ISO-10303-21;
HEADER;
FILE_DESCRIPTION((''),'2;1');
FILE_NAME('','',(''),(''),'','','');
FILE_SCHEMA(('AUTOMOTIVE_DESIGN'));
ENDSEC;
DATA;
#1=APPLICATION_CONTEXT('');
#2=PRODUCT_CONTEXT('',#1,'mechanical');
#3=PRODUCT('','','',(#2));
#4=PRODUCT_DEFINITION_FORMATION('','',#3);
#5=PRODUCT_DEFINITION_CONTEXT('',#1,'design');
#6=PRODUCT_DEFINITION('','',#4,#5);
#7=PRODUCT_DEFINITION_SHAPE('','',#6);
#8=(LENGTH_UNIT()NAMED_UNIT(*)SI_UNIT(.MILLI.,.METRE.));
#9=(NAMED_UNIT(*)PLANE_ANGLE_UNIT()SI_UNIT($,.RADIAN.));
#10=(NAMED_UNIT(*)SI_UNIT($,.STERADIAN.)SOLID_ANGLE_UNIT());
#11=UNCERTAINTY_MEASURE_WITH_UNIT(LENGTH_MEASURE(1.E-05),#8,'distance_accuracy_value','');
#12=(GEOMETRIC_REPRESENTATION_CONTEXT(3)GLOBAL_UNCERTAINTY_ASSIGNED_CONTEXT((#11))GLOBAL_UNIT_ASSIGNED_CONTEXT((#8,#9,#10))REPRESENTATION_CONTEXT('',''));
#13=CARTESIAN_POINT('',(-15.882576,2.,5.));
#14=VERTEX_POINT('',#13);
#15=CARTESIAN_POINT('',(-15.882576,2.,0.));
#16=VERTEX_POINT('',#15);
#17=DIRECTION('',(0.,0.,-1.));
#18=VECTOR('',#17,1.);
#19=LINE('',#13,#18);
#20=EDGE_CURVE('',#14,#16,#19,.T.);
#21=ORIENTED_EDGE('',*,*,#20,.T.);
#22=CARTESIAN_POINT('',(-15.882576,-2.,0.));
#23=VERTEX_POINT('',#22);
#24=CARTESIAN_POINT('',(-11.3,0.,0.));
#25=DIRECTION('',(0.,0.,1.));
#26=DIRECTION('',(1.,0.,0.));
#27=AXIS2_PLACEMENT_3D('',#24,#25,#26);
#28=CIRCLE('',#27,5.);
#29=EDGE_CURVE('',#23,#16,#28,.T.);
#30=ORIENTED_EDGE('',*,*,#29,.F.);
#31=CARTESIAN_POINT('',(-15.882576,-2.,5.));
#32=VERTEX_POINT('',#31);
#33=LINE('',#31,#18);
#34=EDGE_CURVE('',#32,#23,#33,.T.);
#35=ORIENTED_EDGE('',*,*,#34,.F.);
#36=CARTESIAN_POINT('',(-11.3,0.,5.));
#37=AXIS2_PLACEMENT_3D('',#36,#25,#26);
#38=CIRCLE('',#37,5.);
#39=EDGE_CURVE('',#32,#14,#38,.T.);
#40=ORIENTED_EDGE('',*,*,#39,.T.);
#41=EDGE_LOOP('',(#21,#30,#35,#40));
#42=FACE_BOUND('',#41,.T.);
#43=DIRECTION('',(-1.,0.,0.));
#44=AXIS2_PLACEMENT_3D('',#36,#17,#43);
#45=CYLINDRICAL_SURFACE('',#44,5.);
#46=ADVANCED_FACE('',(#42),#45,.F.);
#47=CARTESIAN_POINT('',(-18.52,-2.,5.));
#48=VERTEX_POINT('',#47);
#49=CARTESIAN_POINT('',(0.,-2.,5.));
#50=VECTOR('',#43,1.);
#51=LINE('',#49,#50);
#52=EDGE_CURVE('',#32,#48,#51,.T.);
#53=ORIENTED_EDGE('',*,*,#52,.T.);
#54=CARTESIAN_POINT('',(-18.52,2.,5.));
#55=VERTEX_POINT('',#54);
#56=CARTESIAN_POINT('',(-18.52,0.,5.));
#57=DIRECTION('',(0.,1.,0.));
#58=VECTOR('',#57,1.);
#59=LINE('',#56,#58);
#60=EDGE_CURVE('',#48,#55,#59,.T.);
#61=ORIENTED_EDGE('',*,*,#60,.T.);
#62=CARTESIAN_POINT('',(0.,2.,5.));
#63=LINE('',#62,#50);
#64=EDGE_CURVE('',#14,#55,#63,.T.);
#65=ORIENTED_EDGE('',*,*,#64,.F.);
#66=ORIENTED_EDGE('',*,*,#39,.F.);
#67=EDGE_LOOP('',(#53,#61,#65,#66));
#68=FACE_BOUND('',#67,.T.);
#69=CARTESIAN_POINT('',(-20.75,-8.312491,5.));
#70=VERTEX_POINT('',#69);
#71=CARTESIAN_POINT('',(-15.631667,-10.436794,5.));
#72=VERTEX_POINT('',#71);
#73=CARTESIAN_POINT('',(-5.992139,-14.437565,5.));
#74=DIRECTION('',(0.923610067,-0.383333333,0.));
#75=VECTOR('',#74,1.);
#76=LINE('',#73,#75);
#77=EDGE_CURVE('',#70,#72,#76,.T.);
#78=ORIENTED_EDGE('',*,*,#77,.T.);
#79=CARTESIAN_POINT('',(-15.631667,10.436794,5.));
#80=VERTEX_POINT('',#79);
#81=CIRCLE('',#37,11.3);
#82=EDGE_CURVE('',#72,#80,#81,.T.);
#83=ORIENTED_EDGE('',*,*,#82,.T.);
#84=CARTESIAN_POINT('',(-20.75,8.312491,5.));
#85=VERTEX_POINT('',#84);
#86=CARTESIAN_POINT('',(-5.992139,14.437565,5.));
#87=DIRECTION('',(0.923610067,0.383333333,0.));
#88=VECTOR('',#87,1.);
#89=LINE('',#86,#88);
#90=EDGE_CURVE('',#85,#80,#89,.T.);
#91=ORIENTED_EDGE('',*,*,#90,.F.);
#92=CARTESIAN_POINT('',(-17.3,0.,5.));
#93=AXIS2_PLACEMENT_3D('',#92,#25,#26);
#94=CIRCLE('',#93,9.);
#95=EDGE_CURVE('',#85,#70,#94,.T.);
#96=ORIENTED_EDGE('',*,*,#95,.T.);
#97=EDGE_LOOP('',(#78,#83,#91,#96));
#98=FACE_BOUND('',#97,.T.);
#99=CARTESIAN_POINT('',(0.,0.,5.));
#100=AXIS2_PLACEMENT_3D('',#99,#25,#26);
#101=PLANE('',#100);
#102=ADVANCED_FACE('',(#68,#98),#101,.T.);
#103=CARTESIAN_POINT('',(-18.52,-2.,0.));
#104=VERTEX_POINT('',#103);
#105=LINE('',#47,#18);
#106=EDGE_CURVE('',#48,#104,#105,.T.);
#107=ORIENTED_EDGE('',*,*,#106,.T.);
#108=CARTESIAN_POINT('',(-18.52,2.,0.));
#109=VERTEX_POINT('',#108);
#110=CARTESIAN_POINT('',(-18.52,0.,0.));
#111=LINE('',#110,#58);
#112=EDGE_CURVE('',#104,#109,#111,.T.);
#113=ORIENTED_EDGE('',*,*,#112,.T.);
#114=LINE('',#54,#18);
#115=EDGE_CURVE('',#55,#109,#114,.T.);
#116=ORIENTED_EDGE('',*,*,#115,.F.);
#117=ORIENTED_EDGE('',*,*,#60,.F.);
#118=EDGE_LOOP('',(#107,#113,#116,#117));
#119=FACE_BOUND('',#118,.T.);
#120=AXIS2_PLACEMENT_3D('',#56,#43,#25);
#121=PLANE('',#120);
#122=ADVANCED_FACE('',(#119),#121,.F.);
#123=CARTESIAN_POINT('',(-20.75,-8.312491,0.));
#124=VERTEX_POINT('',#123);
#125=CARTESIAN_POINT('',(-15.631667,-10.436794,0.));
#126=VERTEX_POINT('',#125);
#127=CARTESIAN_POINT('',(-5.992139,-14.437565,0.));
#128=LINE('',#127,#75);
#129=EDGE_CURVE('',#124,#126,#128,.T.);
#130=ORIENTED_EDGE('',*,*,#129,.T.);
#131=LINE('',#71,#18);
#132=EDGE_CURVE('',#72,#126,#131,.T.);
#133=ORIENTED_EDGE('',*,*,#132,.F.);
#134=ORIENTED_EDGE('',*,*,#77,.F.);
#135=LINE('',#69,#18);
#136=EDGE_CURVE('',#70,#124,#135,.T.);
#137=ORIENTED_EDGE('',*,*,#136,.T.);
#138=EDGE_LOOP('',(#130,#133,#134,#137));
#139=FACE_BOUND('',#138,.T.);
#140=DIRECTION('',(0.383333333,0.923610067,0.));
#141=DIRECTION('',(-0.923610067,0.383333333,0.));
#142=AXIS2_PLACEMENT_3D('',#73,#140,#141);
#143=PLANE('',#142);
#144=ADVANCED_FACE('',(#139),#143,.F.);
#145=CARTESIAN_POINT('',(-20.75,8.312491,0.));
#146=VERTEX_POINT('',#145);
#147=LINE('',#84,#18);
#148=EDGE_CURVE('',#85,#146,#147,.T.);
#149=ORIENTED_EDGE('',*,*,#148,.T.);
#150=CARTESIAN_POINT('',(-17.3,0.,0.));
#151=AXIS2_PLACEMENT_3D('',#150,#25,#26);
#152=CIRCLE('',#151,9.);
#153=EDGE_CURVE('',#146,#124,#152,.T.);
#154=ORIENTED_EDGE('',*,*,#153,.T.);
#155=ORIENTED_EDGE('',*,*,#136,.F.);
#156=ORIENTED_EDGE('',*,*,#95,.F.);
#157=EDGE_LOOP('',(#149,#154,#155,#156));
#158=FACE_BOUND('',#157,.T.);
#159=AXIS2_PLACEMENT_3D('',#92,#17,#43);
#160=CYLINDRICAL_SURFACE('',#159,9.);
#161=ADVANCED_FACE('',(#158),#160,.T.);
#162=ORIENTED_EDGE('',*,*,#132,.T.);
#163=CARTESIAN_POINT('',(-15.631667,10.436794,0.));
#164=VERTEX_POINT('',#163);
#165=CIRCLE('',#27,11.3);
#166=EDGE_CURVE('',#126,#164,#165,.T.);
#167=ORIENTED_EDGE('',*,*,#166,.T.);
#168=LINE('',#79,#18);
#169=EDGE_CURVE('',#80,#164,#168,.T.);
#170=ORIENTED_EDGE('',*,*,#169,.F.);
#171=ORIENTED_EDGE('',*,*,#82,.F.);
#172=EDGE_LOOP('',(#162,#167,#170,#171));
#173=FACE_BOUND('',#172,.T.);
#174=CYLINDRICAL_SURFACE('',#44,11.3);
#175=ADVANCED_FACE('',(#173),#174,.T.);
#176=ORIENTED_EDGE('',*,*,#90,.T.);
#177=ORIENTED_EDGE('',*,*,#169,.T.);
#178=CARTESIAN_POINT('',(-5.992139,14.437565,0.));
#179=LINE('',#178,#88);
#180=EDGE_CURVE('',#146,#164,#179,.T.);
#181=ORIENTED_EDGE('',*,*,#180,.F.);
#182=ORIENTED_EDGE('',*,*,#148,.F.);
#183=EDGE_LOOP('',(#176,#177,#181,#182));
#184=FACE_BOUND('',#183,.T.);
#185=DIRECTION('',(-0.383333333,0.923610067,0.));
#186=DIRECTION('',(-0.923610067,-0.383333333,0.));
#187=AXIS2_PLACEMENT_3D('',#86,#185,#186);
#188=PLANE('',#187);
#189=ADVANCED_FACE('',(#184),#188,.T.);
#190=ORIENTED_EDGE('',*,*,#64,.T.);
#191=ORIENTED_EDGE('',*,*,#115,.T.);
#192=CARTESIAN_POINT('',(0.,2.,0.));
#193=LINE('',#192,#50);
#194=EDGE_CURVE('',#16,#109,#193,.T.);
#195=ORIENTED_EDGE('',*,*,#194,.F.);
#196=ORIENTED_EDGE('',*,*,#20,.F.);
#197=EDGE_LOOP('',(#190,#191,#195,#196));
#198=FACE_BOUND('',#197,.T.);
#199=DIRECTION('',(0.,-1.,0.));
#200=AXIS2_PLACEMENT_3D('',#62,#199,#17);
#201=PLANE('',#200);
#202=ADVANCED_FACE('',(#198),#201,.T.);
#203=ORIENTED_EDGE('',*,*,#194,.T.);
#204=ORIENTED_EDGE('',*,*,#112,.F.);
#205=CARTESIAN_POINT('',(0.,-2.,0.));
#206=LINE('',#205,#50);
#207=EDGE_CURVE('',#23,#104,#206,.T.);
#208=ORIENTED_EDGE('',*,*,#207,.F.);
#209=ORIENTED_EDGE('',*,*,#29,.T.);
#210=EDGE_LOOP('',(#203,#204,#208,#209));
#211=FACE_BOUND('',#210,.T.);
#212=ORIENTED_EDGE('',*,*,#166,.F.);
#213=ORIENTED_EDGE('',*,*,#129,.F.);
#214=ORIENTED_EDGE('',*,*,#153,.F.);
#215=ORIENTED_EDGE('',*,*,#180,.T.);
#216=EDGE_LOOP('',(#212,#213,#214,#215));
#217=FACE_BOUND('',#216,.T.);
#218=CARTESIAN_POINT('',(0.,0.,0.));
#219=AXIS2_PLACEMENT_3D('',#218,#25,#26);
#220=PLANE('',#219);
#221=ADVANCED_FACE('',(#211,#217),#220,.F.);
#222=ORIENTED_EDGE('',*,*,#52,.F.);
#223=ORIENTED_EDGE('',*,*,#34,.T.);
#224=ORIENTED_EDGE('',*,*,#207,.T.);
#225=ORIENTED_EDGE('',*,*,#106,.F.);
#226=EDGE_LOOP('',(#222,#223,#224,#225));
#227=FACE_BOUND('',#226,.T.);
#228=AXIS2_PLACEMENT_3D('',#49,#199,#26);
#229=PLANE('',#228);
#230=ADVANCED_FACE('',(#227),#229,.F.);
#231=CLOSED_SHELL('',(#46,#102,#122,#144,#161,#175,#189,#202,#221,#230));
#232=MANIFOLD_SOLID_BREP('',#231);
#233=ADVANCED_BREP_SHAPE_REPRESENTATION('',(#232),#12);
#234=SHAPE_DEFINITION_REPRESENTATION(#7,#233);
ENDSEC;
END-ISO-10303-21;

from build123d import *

# Parameters (mm, degrees)
BOSS_EXTRUDE2_DEPTH = 5


with BuildPart() as part:
    # Sketch3 → Boss-Extrude2 (new body)
    with BuildSketch(Plane.XY):
        with BuildLine():
            ThreePointArc((-20.75, 8.312490601), (-26.3, 0), (-20.75, -8.312490601))
            Line((-20.75, -8.312490601), (-15.631666667, -10.436793755))
            ThreePointArc((-15.631666667, -10.436793755), (0, 0), (-15.631666667, 10.436793755))
            Line((-15.631666667, 10.436793755), (-20.75, 8.312490601))
        make_face()
        with BuildLine():
            Line((-15.882575695, -2), (-18.52, -2))
            Line((-18.52, -2), (-18.52, 2))
            Line((-18.52, 2), (-15.882575695, 2))
            ThreePointArc((-15.882575695, 2), (-6.3, 0), (-15.882575695, -2))
        make_face(mode=Mode.SUBTRACT)
    extrude(amount=BOSS_EXTRUDE2_DEPTH)


solid = part.part
